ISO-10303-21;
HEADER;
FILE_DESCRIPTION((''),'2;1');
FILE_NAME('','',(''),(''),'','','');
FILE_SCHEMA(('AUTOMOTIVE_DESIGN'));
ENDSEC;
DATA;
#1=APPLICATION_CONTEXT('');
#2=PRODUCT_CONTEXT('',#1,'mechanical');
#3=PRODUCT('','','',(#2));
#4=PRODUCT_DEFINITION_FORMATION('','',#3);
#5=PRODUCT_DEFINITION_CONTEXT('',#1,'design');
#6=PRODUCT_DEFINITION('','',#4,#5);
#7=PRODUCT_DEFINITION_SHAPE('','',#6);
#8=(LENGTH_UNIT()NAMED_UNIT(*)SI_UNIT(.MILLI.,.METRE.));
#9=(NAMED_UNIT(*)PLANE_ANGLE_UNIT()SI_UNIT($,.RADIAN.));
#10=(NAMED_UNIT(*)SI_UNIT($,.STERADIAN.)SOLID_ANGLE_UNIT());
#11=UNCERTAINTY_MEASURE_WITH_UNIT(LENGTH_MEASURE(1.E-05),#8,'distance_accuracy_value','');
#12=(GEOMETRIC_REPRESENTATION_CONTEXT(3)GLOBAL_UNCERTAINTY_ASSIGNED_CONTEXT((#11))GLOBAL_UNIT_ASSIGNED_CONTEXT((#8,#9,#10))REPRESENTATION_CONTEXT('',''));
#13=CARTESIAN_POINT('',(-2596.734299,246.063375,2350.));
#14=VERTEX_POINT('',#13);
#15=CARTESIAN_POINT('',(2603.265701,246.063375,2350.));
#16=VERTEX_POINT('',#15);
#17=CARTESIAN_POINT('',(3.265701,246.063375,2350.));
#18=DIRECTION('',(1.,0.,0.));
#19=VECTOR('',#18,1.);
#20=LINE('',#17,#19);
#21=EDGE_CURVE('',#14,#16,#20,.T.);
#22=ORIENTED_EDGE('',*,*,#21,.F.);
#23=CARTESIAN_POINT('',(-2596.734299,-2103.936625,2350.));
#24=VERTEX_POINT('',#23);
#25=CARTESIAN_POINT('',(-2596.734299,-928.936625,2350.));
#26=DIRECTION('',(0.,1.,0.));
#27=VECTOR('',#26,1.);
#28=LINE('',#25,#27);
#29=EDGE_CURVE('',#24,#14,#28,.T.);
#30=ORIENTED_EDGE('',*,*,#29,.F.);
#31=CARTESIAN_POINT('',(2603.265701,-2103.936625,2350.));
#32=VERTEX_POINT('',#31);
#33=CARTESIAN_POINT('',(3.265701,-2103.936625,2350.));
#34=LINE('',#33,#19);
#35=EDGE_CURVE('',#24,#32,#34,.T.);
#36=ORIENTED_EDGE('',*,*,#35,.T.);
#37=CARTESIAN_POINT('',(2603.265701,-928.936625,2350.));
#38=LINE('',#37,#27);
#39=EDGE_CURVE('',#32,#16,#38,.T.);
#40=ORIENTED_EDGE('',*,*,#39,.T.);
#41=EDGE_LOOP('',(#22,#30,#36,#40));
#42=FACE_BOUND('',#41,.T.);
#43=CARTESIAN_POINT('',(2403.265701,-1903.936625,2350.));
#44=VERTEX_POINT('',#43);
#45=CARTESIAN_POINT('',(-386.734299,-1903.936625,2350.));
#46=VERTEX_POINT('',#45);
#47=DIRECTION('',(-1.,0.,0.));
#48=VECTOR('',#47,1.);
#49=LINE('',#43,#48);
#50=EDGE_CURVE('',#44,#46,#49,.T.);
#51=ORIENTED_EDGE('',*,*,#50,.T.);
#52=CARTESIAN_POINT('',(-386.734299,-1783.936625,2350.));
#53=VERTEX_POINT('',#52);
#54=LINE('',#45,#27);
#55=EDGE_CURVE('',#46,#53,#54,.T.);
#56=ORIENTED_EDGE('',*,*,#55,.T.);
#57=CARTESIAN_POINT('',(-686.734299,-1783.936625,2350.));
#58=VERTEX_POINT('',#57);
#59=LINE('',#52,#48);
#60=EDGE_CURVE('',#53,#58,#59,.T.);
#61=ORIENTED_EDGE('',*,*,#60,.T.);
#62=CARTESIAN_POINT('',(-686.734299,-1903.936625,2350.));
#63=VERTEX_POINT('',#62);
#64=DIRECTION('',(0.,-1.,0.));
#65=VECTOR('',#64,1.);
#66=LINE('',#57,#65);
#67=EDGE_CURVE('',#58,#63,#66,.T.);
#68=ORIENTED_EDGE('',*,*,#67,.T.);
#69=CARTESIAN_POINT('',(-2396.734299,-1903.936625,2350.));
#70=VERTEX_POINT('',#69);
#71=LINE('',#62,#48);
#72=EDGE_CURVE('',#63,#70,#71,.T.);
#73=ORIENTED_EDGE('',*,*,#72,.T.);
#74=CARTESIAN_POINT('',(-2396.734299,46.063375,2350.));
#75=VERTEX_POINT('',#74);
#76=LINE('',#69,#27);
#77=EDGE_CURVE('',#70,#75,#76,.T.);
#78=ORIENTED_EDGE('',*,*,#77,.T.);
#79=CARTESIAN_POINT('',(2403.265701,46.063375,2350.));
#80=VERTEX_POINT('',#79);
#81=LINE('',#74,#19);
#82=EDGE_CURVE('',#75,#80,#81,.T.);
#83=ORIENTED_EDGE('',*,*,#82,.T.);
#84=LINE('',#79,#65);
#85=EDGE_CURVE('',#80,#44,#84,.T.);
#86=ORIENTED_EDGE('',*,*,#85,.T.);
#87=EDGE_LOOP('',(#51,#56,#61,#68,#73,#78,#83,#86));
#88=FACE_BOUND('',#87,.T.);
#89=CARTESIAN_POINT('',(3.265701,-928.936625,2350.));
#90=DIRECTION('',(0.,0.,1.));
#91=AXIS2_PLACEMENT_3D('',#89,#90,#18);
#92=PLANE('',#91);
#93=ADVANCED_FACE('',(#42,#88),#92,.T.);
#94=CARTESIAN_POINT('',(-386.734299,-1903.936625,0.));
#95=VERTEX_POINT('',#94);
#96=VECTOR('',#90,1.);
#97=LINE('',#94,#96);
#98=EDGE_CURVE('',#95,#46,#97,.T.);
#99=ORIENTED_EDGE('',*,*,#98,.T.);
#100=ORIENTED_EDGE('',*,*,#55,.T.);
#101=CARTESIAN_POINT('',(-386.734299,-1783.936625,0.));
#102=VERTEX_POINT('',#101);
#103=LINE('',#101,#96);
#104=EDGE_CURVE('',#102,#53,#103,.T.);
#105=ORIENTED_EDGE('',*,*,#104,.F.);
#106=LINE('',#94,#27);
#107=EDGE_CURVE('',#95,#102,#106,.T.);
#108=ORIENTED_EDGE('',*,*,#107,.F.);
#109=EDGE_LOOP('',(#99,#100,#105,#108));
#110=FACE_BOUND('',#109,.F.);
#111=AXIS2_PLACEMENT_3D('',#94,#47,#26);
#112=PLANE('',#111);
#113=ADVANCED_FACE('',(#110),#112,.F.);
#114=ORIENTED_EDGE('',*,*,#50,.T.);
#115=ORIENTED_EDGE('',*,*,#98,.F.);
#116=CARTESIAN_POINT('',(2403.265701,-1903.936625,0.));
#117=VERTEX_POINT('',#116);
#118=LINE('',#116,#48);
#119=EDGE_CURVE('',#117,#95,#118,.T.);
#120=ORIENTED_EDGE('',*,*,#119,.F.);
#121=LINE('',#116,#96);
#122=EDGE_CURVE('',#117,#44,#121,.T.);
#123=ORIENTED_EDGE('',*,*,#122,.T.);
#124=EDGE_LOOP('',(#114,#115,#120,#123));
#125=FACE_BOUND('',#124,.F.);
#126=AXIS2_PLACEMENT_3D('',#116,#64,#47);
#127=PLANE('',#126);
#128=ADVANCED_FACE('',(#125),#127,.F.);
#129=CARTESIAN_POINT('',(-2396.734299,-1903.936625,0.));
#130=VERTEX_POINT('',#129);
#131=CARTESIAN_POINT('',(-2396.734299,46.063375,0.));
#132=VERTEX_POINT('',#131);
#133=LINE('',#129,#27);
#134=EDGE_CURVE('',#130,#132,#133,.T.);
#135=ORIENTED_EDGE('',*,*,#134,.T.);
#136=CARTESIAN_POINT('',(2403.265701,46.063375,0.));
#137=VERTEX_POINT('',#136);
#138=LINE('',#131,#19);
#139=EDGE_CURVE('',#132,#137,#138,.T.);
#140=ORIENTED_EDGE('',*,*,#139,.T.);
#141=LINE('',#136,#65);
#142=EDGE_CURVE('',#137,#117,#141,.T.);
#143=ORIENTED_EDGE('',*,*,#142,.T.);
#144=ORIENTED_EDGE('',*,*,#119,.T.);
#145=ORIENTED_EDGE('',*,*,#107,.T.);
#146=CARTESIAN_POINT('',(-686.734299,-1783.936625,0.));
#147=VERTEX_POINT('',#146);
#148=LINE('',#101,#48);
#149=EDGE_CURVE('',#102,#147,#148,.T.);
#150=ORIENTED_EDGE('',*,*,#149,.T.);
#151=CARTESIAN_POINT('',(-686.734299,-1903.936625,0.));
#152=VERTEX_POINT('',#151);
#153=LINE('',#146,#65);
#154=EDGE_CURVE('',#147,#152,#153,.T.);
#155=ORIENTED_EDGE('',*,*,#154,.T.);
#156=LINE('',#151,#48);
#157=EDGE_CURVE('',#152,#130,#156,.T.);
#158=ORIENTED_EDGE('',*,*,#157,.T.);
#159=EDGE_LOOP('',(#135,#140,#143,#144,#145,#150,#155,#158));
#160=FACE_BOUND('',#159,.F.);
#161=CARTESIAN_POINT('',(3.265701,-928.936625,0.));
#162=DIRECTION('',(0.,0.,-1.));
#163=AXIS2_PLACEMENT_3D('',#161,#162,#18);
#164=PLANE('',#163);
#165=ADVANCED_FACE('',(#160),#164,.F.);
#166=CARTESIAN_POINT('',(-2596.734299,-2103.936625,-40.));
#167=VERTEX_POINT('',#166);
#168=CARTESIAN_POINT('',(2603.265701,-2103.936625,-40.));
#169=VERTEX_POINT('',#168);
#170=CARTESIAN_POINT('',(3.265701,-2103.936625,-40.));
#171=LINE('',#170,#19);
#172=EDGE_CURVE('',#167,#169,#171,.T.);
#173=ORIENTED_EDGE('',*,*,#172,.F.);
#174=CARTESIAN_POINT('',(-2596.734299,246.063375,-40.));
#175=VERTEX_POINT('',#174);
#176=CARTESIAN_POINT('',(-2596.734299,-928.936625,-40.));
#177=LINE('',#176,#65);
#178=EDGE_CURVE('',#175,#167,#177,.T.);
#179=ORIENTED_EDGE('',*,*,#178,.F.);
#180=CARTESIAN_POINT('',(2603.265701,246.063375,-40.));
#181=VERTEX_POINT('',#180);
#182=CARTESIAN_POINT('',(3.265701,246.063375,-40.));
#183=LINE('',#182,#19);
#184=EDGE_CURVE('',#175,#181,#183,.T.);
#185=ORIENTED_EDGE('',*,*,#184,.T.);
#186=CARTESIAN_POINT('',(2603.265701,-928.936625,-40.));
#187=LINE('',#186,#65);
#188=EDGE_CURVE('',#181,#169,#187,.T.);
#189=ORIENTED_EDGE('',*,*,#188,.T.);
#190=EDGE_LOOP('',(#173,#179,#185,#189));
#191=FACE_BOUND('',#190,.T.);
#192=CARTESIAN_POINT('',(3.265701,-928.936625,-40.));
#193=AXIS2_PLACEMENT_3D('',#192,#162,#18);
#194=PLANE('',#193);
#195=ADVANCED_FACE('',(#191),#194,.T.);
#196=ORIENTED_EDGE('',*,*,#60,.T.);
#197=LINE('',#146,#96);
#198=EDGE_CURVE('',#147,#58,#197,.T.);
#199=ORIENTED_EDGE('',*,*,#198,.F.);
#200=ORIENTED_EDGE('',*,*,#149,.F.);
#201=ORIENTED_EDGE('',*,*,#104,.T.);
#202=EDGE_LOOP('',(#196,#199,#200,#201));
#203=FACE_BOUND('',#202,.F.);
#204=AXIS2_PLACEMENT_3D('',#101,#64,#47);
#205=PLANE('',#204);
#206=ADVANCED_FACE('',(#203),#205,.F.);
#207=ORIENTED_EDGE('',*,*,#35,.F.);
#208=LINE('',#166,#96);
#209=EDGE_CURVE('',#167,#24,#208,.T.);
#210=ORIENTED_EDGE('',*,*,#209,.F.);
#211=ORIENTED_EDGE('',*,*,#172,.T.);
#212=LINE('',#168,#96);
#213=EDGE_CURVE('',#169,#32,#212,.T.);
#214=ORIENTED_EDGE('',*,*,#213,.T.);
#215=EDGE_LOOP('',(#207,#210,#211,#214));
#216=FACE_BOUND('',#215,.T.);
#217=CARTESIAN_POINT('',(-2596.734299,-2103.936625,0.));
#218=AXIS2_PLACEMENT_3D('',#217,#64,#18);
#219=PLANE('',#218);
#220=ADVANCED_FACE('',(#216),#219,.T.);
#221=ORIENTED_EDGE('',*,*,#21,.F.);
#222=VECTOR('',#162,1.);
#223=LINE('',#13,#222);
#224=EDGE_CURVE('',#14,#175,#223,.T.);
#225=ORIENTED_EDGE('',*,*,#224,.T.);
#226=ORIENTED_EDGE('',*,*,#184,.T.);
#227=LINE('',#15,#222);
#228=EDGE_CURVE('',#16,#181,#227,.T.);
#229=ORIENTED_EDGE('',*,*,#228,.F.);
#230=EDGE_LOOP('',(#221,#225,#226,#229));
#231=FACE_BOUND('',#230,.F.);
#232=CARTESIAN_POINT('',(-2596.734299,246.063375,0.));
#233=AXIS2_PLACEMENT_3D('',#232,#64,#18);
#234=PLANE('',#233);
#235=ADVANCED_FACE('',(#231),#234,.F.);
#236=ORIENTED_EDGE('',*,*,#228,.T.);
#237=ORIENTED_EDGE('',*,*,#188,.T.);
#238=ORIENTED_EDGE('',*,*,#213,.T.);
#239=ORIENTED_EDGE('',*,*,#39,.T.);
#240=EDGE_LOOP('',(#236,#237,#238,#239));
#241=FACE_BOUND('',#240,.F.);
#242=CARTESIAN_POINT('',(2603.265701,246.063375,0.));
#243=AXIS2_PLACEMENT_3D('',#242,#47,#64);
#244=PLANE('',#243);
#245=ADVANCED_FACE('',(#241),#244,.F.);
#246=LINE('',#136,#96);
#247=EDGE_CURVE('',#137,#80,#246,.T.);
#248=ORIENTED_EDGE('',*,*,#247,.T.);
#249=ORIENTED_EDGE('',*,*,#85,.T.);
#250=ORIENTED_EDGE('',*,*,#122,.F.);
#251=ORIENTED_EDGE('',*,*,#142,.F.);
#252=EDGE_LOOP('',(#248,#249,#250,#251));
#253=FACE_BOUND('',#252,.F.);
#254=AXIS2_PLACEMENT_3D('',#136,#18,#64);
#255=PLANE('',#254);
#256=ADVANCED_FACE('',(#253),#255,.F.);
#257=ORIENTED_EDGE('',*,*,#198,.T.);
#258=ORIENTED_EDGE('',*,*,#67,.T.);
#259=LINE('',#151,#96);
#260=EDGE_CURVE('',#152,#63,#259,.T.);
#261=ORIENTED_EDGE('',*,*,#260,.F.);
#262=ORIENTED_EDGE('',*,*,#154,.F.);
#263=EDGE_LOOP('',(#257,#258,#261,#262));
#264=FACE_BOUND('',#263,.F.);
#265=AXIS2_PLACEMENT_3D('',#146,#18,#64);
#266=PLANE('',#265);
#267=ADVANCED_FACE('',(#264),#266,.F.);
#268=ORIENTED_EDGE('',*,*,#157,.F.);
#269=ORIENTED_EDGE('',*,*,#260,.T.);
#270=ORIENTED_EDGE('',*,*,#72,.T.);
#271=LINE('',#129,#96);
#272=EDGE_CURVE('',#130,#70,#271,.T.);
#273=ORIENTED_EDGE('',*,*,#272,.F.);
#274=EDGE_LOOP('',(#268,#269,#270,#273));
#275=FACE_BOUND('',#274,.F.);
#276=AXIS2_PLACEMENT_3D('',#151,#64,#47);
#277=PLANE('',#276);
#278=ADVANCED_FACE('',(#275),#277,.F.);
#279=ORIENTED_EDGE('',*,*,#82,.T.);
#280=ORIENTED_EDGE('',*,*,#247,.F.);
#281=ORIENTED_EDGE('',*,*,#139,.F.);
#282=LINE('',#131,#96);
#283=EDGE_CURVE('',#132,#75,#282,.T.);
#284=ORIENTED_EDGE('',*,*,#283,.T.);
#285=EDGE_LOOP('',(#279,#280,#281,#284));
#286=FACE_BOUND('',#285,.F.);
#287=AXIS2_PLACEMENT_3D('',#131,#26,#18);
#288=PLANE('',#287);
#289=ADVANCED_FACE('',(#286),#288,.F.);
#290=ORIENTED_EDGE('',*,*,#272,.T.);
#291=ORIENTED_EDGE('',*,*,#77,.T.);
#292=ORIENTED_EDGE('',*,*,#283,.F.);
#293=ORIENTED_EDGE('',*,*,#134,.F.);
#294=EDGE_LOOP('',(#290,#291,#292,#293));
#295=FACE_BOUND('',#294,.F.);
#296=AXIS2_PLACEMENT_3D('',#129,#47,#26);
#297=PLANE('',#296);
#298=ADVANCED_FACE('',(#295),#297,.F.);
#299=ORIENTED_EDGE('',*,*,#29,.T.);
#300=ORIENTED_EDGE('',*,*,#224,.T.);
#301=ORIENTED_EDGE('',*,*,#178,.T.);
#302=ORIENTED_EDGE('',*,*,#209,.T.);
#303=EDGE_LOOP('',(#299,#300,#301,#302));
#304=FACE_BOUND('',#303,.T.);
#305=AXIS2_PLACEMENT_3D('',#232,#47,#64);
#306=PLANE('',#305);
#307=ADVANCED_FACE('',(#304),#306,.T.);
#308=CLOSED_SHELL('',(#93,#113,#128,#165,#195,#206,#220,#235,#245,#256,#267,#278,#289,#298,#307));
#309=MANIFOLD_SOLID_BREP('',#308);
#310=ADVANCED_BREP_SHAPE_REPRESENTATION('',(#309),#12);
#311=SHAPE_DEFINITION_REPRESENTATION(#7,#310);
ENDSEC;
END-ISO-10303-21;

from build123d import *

# Parameters (mm, degrees)
F0_W     = 5200
F0_H     = 2350
F1_DEPTH = 2350
F2_W     = 5200
F2_H     = 2350
F3_DEPTH = 40


with BuildPart() as f1:
    # F0 (on Top) → F1 (new body)
    with BuildSketch(Plane.XY):
        with Locations((3.265701, -928.936625)):
            Rectangle(F0_W, F0_H)
        Polygon((-2396.734299, -1903.936625), (-2396.734299, 46.063375), (2403.265701, 46.063375), (2403.265701, -1903.936625), (-386.734299, -1903.936625), (-386.734299, -1783.936625), (-686.734299, -1783.936625), (-686.734299, -1903.936625), (-736.734299, -1903.936625), (-1496.734299, -1903.936625), align=None, mode=Mode.SUBTRACT)
    extrude(amount=F1_DEPTH)

    # F2 (on face) → F3 (join)
    with BuildSketch(Plane(origin=(0, 0, 0), x_dir=(1, 0, 0), z_dir=(0, 0, -1))):
        with Locations((3.265701, 928.936625)):
            Rectangle(F2_W, F2_H)
    extrude(amount=F3_DEPTH)


solid = f1.part
